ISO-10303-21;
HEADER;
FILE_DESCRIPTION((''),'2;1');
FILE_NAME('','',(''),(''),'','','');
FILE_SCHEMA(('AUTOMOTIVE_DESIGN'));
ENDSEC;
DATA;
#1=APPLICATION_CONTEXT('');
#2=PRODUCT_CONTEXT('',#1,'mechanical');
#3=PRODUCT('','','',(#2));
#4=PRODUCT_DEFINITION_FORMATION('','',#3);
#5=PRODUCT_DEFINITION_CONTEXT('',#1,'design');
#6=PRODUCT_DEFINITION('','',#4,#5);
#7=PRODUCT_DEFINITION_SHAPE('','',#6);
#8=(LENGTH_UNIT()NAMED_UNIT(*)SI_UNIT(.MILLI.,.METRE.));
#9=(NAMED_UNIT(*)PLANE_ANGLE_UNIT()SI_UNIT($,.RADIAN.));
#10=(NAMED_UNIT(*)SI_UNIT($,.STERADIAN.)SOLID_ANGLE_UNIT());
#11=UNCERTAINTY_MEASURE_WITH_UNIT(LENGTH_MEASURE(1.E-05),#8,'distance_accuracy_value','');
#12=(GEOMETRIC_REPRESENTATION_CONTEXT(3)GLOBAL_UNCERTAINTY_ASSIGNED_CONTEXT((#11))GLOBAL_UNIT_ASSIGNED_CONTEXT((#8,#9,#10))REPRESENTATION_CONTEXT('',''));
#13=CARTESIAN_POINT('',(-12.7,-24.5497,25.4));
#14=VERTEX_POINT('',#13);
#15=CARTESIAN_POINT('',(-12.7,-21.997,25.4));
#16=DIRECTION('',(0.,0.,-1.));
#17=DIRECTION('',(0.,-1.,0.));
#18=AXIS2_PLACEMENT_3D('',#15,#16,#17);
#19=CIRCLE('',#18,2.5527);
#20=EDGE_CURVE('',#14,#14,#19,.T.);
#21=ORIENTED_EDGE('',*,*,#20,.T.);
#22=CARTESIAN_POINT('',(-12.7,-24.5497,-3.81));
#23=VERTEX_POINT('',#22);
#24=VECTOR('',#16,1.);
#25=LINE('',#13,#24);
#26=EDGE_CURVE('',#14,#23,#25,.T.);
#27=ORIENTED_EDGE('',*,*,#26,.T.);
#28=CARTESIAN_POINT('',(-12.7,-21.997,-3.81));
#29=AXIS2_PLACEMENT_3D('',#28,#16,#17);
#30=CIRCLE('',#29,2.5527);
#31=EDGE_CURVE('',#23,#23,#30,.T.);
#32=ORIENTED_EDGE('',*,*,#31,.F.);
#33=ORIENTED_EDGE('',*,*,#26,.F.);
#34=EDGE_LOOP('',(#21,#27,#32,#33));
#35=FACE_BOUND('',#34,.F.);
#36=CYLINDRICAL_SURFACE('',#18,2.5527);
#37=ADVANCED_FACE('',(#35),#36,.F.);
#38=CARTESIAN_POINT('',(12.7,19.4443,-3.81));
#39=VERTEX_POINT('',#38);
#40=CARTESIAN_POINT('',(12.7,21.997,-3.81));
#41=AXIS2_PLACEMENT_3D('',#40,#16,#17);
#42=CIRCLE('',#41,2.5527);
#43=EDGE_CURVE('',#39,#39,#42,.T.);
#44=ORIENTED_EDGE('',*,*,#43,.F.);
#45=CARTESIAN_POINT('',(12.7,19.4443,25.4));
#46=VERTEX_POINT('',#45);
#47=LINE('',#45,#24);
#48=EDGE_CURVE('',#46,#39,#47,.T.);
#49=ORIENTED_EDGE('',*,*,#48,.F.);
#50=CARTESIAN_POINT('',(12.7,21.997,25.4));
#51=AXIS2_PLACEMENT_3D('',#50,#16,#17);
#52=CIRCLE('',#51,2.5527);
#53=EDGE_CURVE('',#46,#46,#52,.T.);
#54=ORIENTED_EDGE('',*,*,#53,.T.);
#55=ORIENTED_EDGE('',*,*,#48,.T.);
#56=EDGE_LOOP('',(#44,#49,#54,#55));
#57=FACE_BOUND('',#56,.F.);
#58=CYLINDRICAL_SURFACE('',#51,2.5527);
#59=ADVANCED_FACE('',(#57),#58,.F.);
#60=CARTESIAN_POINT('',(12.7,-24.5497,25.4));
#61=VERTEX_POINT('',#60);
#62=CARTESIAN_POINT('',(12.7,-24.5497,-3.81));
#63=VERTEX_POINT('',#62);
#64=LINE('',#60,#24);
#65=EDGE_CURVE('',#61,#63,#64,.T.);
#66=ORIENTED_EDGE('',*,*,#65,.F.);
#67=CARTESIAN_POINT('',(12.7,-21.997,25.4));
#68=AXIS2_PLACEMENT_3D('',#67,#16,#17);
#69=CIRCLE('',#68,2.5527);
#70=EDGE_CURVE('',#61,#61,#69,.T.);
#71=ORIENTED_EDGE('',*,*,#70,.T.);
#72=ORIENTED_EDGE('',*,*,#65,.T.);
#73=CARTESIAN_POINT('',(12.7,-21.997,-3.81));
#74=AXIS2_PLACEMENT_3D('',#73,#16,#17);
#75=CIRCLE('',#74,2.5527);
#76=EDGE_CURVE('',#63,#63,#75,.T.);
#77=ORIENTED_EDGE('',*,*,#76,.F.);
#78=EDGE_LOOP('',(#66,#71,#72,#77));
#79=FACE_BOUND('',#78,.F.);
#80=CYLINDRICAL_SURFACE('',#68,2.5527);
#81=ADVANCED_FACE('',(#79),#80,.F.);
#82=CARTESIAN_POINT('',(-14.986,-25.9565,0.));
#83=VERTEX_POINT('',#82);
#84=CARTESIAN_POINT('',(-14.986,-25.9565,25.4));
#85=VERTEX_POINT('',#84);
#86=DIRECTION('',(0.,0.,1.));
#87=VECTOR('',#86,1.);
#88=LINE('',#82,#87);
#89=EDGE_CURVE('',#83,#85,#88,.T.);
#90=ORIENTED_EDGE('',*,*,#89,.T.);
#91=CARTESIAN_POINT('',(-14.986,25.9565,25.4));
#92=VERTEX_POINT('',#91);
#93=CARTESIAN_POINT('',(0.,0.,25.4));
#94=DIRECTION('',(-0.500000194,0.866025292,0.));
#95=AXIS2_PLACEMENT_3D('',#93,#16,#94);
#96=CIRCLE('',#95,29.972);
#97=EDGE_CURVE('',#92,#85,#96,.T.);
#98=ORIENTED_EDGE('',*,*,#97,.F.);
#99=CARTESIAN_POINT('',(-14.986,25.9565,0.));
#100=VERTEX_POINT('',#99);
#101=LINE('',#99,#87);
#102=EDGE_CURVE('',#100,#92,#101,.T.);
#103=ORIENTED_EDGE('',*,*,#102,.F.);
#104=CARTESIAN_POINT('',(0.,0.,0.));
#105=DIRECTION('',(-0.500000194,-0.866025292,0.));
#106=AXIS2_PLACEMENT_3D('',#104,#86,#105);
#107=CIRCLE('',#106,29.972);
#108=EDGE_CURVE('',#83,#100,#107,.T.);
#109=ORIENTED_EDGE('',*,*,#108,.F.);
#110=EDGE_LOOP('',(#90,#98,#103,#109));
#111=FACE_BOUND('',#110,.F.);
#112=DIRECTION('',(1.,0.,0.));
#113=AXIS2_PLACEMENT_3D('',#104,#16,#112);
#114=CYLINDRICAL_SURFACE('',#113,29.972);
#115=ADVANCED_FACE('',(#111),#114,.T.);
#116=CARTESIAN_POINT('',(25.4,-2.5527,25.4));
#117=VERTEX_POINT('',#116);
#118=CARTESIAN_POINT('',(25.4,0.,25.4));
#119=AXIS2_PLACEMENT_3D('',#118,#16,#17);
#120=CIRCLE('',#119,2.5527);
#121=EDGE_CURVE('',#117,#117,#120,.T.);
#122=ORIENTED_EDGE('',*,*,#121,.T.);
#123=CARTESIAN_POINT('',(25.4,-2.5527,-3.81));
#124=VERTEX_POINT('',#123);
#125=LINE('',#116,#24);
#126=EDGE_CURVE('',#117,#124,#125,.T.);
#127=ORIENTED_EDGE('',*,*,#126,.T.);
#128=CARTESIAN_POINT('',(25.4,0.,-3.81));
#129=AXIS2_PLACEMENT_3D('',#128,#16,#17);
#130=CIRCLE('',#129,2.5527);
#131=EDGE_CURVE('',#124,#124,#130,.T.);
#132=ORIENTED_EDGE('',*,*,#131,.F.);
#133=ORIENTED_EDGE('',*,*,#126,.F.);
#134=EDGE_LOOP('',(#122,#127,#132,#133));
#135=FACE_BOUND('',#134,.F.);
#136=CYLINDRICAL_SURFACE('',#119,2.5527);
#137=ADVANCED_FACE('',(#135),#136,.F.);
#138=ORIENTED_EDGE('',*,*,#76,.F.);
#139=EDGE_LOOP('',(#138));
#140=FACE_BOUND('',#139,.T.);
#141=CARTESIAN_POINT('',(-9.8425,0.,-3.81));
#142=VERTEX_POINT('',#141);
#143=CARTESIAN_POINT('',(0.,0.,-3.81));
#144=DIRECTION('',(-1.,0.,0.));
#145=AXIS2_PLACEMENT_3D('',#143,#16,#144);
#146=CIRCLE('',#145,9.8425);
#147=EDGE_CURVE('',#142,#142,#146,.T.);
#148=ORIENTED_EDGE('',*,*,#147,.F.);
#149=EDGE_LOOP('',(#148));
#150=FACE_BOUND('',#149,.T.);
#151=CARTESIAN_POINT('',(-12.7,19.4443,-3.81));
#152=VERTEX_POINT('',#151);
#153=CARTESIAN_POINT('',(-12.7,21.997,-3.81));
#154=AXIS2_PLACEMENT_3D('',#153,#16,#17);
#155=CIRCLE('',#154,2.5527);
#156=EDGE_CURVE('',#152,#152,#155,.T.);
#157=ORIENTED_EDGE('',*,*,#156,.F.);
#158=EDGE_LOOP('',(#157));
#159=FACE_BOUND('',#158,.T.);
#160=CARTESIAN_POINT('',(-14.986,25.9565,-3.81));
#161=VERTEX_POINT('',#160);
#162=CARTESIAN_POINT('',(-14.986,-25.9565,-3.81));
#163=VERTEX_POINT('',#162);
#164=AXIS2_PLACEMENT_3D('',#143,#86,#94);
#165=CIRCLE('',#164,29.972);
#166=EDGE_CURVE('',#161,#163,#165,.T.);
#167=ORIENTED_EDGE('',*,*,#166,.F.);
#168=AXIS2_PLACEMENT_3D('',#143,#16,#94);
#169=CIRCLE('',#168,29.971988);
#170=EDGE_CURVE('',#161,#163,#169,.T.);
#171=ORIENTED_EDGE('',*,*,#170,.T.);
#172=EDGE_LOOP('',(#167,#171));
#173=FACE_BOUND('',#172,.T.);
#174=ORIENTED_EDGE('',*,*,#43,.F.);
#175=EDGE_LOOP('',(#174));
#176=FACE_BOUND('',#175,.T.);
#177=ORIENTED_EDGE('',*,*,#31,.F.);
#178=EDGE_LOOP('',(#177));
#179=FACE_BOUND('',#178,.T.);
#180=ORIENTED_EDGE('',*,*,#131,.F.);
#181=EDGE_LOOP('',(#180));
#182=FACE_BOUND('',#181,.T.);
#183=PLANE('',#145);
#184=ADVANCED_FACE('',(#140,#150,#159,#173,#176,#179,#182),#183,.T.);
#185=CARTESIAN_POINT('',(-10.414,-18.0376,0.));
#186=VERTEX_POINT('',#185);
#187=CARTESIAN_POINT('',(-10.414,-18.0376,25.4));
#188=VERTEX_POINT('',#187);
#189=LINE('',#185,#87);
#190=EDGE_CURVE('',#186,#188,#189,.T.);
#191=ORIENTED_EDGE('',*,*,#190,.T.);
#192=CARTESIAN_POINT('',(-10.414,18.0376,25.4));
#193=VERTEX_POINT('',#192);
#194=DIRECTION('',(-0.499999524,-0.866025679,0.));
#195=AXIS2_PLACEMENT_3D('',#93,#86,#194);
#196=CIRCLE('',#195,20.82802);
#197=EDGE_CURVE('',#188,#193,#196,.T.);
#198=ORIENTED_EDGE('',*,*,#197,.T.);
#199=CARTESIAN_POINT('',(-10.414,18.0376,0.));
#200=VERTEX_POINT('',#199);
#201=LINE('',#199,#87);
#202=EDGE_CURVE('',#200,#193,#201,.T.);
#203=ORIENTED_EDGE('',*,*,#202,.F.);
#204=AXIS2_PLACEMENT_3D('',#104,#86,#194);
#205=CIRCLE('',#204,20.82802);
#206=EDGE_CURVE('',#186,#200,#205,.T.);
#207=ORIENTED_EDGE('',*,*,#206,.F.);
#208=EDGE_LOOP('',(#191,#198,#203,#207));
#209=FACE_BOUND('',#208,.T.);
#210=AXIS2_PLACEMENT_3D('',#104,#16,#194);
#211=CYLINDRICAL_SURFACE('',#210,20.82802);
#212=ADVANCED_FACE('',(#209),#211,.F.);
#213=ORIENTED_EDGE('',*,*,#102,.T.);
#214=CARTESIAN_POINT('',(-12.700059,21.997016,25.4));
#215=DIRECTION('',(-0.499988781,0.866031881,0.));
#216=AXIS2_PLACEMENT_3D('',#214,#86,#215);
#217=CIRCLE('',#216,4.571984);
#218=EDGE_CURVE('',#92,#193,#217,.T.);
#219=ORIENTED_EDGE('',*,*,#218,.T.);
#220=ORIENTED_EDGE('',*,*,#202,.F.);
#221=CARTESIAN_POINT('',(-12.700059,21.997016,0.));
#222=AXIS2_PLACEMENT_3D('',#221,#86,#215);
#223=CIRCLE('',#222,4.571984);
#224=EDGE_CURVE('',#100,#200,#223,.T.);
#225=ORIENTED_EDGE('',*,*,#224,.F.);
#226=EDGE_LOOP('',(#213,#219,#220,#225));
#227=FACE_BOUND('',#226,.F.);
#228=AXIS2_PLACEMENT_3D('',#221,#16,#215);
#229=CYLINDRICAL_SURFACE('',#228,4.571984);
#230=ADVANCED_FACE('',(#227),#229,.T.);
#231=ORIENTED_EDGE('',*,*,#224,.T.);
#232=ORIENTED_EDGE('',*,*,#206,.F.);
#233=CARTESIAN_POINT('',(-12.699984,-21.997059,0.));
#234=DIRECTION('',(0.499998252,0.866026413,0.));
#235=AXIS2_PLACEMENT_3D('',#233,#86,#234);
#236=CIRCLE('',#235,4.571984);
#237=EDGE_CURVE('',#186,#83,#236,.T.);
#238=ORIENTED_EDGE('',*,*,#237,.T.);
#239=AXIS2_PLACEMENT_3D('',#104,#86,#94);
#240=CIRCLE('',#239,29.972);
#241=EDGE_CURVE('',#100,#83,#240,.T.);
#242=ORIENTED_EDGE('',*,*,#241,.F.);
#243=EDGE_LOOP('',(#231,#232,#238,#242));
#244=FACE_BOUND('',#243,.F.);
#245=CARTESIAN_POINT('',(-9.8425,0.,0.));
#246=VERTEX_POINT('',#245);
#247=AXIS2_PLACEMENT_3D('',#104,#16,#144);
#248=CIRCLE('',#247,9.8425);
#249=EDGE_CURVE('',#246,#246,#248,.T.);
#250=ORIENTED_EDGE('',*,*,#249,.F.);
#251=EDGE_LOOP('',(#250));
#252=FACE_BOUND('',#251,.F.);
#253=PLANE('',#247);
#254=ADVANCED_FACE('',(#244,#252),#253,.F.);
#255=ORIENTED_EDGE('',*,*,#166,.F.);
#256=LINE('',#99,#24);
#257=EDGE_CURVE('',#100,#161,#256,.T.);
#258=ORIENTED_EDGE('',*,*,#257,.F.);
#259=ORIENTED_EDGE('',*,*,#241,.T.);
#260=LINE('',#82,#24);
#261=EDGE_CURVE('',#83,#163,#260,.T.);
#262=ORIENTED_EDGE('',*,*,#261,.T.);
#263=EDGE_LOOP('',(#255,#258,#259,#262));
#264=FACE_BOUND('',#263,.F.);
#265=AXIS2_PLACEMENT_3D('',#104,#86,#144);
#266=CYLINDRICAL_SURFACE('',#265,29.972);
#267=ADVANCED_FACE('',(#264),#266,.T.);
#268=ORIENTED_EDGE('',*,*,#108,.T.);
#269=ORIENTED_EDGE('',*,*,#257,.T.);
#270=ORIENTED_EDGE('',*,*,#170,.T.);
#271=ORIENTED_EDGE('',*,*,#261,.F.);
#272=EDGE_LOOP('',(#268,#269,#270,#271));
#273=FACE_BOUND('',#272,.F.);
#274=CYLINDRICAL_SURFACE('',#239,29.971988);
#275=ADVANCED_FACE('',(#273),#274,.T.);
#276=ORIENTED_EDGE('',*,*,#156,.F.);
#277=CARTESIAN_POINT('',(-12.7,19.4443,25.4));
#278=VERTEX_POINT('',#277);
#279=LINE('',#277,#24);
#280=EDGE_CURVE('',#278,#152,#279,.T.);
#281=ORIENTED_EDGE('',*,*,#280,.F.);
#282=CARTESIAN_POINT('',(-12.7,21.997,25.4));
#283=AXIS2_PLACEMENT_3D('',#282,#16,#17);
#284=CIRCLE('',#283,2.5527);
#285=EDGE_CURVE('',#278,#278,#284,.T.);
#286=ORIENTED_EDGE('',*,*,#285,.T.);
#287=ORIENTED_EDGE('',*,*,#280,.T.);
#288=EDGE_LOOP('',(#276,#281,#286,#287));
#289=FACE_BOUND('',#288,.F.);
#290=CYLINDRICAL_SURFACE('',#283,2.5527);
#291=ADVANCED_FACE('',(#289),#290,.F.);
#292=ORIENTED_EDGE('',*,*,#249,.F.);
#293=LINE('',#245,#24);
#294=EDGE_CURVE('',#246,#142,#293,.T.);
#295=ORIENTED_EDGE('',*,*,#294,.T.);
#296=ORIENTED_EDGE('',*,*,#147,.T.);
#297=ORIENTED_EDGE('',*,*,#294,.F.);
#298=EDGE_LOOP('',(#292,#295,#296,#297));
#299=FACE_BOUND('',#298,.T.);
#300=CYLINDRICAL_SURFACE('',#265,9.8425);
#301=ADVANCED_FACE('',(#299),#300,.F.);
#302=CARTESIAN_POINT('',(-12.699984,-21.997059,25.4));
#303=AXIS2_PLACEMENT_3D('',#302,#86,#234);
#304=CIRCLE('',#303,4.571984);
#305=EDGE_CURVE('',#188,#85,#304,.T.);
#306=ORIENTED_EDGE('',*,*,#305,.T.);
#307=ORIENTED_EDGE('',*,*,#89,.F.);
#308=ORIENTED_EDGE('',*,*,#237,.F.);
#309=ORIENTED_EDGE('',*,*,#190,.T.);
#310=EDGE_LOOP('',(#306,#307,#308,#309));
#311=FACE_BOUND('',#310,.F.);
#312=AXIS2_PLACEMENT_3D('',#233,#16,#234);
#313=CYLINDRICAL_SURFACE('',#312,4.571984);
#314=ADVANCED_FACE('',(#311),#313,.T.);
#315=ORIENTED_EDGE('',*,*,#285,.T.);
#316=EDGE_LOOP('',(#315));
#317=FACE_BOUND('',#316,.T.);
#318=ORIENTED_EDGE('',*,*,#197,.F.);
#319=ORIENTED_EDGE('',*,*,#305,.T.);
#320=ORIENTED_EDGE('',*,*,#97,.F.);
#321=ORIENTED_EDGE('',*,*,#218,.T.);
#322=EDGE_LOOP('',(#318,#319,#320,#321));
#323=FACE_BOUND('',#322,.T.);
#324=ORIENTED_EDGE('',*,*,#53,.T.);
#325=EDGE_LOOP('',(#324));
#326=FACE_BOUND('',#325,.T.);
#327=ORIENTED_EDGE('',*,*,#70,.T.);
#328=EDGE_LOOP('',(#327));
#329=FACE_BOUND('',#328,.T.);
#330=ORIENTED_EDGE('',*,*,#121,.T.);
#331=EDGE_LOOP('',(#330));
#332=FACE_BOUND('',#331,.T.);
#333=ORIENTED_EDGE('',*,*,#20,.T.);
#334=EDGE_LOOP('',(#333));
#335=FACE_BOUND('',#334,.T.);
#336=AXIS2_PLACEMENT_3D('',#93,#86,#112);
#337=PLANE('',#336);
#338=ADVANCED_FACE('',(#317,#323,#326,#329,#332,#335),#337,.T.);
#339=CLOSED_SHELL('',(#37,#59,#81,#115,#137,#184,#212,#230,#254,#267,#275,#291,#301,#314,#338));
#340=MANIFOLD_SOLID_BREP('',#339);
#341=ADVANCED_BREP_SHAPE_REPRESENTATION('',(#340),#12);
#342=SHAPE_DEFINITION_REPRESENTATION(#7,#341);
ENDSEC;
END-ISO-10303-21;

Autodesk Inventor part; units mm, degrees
ref_plane "YZ Plane" through (0, 0, 0) normal (1, 0, 0) x (0, 1, 0)
ref_plane "XZ Plane" through (0, 0, 0) normal (0, 1, 0) x (-1, 0, 0)
ref_plane "XY Plane" through (0, 0, 0) normal (0, 0, 1) x (1, 0, 0)
sketch "Sketch1" plane through (0, 0, 0) normal (0, 0, 1) x (1, 0, 0)
  circle A0 centre (0, 0) radius 29.972
  circle A1 centre (0, 0) radius 25.4 construction
  circle A2 centre (12.7, 21.997) radius 2.5527 construction
  circle A3 centre (-12.7, 21.997) radius 2.5527 construction
  circle A4 centre (-25.4, 0) radius 2.5527 construction
  circle A5 centre (-12.7, -21.997) radius 2.5527 construction
  circle A6 centre (12.7, -21.997) radius 2.5527 construction
  circle A7 centre (25.4, 0) radius 2.5527 construction
  line L0 (-12.7, 21.997) -> (12.7, 21.997) construction
  arc A8 (-14.986, 25.9565) -> (-10.414, 18.0376) centre (-12.7, 21.997) ccw
  arc A9 (-10.414, -18.0376) -> (-10.414, 18.0376) centre (0, 0) ccw
  arc A10 (-10.414, -18.0376) -> (-14.986, -25.9565) centre (-12.7, -21.997) ccw
  dimension "d1" = 50.8
  dimension "d0" = 59.944
  dimension "d2" = 5.1054
  dimension "d5" = 360
extrude "Extrusion1" add sketch "Sketch1" along normal blind 25.4 contours A0 A10 A9 A8 picked at (-11.332, -24.2357)
sketch "Sketch2" plane through (0, 0, 0) normal (0, 0, -1) x (-1, 0, 0)
  circle A0 centre (0, 0) radius 29.972
  circle A1 centre (0, 0) radius 9.8425
  arc A2 (14.986, 25.9565) -> (14.986, -25.9565) centre (0, 0) ccw projected
  dimension "d13" = 19.685
  dimension "d14" = 59.944
extrude "Extrusion2" add sketch "Sketch2" along normal blind 3.81
sketch "Sketch3" plane through (0, 0, 25.4) normal (0, 0, 1) x (1, 0, 0)
  circle A0 centre (0, 0) radius 9.8425 projected
  circle A1 centre (0, 0) radius 25.4
  arc A2 (-14.986, 25.9565) -> (-10.414, 18.0376) centre (-12.7, 21.997) ccw projected
  point P0 (-25.4, 0)
  point P1 (-12.7, -21.997)
  point P2 (12.7, -21.997)
  point P3 (25.4, 0)
  point P4 (12.7, 21.997)
  dimension "d19" = 360
hole "Hole1" at (-12.7, 21.997, 25.4) at (12.7, 21.997, 25.4) at (25.4, 0, 25.4) at (12.7, -21.997, 25.4) at (-12.7, -21.997, 25.4) direction (0, 0, -1) diameter 5.1054 end through all
properties part number "Motor_spacer_Falcon"
